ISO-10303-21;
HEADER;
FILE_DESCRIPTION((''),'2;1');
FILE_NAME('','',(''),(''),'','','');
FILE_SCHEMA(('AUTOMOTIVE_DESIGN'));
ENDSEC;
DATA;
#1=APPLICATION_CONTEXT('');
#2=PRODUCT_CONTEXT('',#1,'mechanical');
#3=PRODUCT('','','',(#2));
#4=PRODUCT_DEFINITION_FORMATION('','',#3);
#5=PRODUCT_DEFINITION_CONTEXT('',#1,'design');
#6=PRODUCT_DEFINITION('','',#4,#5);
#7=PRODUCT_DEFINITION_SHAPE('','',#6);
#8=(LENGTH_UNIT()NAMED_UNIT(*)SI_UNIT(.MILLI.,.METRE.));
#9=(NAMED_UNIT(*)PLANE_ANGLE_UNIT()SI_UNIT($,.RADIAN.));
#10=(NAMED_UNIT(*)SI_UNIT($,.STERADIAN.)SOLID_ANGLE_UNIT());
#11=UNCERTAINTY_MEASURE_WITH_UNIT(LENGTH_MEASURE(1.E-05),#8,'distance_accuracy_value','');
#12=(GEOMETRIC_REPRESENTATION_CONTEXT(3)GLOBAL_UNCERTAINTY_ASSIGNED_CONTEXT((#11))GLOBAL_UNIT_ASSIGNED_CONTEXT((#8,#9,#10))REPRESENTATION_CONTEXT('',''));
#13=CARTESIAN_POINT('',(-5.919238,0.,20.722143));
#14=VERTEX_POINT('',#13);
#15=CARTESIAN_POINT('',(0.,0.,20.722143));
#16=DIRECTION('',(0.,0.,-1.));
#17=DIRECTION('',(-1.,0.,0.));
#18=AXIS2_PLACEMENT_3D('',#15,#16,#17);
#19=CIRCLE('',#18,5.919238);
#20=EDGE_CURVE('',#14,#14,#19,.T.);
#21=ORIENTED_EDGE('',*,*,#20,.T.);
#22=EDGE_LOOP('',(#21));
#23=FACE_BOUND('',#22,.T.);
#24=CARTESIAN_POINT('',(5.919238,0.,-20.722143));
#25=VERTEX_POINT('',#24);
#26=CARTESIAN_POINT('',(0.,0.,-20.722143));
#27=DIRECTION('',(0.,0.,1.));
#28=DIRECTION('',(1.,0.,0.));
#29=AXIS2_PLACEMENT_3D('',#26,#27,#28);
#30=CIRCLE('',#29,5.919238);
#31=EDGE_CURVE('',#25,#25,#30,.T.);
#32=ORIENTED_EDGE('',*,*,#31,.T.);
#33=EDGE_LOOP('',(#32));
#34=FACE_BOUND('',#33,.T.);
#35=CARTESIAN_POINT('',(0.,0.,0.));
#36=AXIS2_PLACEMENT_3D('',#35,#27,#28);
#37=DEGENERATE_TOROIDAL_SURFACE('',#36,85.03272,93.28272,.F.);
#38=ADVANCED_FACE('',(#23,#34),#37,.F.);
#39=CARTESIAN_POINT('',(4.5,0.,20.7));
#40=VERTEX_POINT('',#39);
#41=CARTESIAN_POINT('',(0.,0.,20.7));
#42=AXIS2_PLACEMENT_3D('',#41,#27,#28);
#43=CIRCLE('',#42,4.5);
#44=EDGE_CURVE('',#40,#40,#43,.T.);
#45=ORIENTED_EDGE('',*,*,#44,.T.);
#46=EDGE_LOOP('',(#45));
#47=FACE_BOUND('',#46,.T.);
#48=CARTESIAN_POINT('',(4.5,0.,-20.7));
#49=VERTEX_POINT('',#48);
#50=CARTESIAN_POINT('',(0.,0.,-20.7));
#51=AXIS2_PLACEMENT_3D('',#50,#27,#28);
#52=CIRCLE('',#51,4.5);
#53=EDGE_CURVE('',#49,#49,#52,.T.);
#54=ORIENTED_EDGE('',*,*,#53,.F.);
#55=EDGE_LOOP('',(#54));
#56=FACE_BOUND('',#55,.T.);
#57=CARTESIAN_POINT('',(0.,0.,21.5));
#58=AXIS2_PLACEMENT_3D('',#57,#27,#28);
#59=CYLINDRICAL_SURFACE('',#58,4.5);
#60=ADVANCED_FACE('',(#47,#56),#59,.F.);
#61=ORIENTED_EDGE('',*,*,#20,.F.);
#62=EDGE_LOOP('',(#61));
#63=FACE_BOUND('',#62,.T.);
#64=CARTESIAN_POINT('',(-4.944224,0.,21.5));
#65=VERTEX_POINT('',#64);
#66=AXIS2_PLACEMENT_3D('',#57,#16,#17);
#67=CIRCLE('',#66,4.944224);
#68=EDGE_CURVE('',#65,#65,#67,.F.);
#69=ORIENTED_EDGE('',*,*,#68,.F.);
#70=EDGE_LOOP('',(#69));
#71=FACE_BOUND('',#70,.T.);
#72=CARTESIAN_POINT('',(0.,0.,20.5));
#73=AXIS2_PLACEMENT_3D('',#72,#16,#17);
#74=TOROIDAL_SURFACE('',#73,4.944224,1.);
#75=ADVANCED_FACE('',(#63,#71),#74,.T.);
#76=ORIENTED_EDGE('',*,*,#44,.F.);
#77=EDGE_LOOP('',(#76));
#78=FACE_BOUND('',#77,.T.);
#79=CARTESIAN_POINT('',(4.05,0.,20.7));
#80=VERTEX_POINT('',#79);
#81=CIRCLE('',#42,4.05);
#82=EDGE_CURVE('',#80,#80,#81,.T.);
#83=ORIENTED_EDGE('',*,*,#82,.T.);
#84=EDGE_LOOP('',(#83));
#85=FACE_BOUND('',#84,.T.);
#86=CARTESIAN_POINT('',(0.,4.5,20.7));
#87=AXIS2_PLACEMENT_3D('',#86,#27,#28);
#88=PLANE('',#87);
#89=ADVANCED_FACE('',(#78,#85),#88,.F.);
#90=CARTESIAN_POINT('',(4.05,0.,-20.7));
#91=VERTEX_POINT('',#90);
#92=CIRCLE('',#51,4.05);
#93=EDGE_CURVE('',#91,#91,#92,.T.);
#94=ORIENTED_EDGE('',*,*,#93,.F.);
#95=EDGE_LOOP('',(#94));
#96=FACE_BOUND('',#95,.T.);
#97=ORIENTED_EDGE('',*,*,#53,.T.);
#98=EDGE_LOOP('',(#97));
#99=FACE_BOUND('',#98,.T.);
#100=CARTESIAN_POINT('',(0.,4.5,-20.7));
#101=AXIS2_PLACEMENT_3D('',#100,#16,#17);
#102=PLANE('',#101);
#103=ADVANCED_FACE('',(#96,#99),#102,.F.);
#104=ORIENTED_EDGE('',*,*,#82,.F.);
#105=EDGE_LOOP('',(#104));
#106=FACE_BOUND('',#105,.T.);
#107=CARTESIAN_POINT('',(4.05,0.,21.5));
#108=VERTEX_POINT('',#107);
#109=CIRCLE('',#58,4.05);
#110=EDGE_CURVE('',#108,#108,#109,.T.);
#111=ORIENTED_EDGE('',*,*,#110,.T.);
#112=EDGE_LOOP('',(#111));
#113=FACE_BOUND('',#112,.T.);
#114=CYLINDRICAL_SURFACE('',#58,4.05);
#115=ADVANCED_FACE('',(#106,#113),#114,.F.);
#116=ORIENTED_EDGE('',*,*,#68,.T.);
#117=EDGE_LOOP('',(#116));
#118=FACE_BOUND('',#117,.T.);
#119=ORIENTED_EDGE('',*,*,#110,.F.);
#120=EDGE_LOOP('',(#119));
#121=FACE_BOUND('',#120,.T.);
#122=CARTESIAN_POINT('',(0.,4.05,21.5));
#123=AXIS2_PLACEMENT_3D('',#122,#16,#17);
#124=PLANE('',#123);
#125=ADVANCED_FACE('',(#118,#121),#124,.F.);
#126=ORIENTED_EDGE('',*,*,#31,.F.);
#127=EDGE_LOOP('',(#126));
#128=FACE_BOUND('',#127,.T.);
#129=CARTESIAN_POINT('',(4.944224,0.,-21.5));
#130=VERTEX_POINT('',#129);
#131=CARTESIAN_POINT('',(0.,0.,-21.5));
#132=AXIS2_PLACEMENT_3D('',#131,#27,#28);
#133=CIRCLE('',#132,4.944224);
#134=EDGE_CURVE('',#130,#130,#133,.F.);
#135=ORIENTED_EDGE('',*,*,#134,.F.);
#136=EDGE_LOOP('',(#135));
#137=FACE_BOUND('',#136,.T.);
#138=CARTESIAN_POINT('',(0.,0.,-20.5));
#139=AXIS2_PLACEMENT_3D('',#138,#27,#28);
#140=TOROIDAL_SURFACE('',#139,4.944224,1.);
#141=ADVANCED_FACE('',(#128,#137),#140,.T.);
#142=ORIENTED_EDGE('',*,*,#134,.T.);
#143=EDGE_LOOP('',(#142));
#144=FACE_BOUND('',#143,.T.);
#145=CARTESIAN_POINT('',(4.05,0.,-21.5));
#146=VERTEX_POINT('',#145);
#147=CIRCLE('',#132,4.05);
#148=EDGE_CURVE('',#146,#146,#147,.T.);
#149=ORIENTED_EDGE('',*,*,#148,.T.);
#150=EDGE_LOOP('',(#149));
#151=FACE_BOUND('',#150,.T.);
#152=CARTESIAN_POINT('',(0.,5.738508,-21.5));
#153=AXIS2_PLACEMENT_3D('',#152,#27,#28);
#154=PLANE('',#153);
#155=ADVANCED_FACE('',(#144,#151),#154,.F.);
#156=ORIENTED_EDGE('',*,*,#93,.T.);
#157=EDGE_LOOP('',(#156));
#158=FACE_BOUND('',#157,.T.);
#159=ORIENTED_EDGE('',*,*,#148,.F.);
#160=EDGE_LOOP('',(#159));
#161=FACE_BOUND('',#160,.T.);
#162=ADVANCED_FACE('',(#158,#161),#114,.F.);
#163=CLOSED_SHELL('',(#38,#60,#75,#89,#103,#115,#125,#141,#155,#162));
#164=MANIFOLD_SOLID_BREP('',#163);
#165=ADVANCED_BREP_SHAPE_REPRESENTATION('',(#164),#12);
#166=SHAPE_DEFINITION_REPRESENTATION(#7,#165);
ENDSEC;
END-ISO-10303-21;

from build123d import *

# Parameters (mm, degrees)
FILLET1_R = 1


with BuildPart() as part:
    # Sketch1 → Revolve1 (revolve)
    with BuildSketch(Plane(origin=(0, 0, 0), x_dir=(0, 0, -1), z_dir=(1, 0, 0)), mode=Mode.PRIVATE) as revolve1_sk:
        with BuildLine():
            Line((21.5, 5.738508096), (21.5, 4.05))
            Line((21.5, 4.05), (20.7, 4.05))
            Line((20.7, 4.05), (20.7, 4.5))
            Line((20.7, 4.5), (-20.7, 4.5))
            Line((-20.7, 4.5), (-20.7, 4.05))
            Line((-20.7, 4.05), (-21.5, 4.05))
            Line((-21.5, 4.05), (-21.5, 5.738508096))
            ThreePointArc((-21.5, 5.738508096), (0, 8.25), (21.5, 5.738508096))
        make_face()
    revolve(revolve1_sk.sketch.rotate(Axis((0, 0, 21.5), (0, 0, -1)), 90), axis=Axis((0, 0, 21.5), (0, 0, -1)))

    # Fillet1
    fillet1_edges = [part.edges().sort_by_distance(p)[0] for p in [
        (-5.738508096, 0, -21.5),
        (-5.738508096, 0, 21.5),
    ]]
    fillet(fillet1_edges, radius=FILLET1_R)


solid = part.part
